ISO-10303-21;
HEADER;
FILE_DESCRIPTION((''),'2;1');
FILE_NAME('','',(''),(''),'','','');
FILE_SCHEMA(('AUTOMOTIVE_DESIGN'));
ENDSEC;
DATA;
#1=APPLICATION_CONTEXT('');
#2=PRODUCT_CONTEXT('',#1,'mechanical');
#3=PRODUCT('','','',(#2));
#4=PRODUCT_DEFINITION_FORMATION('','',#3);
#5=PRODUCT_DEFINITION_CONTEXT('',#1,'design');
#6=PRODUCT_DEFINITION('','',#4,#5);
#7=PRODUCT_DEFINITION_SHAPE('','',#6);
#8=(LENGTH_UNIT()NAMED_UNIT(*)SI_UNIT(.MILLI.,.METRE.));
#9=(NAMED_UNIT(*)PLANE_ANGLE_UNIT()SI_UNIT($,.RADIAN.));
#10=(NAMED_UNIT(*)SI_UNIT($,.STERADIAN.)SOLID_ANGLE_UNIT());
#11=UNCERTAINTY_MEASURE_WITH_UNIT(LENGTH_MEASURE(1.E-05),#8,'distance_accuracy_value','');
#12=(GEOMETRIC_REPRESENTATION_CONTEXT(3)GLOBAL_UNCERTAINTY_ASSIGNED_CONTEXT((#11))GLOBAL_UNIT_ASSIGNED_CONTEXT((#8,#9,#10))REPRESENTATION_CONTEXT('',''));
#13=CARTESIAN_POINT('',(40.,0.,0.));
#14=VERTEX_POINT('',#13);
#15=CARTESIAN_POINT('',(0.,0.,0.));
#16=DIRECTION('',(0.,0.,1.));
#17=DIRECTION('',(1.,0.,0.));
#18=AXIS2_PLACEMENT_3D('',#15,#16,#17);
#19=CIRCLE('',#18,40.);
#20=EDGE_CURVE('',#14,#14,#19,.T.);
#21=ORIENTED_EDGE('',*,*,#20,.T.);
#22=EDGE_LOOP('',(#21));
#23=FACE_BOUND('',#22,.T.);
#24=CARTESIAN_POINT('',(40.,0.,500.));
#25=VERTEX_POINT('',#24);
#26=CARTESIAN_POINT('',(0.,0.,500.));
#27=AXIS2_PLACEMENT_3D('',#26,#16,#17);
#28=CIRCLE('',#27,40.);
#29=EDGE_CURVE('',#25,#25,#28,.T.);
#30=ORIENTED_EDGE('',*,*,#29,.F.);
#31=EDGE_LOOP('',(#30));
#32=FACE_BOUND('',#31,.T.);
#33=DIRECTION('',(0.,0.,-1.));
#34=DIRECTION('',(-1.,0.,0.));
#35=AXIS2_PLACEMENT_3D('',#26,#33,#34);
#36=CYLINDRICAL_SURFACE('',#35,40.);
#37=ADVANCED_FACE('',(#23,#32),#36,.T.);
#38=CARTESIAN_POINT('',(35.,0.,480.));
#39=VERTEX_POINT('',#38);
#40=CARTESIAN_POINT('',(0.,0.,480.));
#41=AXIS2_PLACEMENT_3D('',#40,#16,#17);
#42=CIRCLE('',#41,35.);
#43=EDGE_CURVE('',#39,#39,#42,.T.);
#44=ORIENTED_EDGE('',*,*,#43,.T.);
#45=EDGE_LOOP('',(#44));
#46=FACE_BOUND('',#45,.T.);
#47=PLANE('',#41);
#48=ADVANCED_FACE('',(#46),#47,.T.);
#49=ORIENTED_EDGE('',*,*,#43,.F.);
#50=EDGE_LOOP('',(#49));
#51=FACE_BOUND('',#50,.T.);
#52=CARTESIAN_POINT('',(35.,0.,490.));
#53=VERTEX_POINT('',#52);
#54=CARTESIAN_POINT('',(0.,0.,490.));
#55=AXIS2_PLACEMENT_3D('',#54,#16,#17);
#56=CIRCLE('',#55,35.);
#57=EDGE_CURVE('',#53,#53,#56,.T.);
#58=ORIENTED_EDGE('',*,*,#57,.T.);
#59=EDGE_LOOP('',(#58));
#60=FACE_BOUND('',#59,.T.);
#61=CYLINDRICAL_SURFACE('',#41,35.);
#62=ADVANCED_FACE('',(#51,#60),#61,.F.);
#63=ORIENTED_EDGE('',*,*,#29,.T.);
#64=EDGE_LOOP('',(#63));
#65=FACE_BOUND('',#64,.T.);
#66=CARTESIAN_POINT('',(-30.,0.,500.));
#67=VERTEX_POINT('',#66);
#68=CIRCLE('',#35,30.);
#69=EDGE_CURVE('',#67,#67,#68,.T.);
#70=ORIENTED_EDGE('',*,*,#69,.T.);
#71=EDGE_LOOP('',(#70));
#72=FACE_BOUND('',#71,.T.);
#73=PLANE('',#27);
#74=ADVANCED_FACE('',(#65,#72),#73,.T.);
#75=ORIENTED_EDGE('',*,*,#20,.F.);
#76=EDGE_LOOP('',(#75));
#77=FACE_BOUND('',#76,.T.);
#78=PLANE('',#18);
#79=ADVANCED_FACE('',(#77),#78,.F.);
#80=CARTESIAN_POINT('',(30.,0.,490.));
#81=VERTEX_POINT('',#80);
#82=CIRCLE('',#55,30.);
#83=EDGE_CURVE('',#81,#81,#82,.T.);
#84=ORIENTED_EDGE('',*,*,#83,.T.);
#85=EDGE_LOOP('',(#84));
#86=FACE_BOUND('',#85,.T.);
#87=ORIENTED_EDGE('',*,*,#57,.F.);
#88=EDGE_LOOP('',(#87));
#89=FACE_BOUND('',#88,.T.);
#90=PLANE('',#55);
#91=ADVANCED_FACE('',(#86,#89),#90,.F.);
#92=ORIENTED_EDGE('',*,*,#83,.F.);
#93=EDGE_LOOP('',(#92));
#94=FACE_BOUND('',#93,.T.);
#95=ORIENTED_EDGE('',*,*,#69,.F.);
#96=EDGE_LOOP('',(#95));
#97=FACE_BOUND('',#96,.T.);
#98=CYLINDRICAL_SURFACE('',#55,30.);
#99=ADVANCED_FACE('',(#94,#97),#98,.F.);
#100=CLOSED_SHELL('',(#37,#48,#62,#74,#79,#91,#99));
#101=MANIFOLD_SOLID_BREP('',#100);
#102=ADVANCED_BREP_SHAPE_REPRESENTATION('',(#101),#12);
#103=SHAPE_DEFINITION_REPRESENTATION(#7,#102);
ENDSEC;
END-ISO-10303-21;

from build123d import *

# Parameters (mm, degrees)
SKETCH1_R           = 40
BOSS_EXTRUDE1_DEPTH = 500
SKETCH2_R           = 30
CUT_EXTRUDE1_DEPTH  = 10
SKETCH3_R           = 35
CUT_EXTRUDE2_DEPTH  = 10


with BuildPart() as part:
    # Sketch1 → Boss-Extrude1 (new body)
    with BuildSketch(Plane.XY):
        Circle(SKETCH1_R)
    extrude(amount=BOSS_EXTRUDE1_DEPTH)

    # Sketch2 → Cut-Extrude1 (cut)
    with BuildSketch(Plane(origin=(0, 0, 500), x_dir=(-1, 0, 0), z_dir=(0, 0, -1))):
        Circle(SKETCH2_R)
    extrude(amount=CUT_EXTRUDE1_DEPTH, mode=Mode.SUBTRACT)

    # Sketch3 → Cut-Extrude2 (cut)
    with BuildSketch(Plane.XY.offset(490)):
        Circle(SKETCH3_R)
    extrude(amount=-CUT_EXTRUDE2_DEPTH, mode=Mode.SUBTRACT)


solid = part.part
